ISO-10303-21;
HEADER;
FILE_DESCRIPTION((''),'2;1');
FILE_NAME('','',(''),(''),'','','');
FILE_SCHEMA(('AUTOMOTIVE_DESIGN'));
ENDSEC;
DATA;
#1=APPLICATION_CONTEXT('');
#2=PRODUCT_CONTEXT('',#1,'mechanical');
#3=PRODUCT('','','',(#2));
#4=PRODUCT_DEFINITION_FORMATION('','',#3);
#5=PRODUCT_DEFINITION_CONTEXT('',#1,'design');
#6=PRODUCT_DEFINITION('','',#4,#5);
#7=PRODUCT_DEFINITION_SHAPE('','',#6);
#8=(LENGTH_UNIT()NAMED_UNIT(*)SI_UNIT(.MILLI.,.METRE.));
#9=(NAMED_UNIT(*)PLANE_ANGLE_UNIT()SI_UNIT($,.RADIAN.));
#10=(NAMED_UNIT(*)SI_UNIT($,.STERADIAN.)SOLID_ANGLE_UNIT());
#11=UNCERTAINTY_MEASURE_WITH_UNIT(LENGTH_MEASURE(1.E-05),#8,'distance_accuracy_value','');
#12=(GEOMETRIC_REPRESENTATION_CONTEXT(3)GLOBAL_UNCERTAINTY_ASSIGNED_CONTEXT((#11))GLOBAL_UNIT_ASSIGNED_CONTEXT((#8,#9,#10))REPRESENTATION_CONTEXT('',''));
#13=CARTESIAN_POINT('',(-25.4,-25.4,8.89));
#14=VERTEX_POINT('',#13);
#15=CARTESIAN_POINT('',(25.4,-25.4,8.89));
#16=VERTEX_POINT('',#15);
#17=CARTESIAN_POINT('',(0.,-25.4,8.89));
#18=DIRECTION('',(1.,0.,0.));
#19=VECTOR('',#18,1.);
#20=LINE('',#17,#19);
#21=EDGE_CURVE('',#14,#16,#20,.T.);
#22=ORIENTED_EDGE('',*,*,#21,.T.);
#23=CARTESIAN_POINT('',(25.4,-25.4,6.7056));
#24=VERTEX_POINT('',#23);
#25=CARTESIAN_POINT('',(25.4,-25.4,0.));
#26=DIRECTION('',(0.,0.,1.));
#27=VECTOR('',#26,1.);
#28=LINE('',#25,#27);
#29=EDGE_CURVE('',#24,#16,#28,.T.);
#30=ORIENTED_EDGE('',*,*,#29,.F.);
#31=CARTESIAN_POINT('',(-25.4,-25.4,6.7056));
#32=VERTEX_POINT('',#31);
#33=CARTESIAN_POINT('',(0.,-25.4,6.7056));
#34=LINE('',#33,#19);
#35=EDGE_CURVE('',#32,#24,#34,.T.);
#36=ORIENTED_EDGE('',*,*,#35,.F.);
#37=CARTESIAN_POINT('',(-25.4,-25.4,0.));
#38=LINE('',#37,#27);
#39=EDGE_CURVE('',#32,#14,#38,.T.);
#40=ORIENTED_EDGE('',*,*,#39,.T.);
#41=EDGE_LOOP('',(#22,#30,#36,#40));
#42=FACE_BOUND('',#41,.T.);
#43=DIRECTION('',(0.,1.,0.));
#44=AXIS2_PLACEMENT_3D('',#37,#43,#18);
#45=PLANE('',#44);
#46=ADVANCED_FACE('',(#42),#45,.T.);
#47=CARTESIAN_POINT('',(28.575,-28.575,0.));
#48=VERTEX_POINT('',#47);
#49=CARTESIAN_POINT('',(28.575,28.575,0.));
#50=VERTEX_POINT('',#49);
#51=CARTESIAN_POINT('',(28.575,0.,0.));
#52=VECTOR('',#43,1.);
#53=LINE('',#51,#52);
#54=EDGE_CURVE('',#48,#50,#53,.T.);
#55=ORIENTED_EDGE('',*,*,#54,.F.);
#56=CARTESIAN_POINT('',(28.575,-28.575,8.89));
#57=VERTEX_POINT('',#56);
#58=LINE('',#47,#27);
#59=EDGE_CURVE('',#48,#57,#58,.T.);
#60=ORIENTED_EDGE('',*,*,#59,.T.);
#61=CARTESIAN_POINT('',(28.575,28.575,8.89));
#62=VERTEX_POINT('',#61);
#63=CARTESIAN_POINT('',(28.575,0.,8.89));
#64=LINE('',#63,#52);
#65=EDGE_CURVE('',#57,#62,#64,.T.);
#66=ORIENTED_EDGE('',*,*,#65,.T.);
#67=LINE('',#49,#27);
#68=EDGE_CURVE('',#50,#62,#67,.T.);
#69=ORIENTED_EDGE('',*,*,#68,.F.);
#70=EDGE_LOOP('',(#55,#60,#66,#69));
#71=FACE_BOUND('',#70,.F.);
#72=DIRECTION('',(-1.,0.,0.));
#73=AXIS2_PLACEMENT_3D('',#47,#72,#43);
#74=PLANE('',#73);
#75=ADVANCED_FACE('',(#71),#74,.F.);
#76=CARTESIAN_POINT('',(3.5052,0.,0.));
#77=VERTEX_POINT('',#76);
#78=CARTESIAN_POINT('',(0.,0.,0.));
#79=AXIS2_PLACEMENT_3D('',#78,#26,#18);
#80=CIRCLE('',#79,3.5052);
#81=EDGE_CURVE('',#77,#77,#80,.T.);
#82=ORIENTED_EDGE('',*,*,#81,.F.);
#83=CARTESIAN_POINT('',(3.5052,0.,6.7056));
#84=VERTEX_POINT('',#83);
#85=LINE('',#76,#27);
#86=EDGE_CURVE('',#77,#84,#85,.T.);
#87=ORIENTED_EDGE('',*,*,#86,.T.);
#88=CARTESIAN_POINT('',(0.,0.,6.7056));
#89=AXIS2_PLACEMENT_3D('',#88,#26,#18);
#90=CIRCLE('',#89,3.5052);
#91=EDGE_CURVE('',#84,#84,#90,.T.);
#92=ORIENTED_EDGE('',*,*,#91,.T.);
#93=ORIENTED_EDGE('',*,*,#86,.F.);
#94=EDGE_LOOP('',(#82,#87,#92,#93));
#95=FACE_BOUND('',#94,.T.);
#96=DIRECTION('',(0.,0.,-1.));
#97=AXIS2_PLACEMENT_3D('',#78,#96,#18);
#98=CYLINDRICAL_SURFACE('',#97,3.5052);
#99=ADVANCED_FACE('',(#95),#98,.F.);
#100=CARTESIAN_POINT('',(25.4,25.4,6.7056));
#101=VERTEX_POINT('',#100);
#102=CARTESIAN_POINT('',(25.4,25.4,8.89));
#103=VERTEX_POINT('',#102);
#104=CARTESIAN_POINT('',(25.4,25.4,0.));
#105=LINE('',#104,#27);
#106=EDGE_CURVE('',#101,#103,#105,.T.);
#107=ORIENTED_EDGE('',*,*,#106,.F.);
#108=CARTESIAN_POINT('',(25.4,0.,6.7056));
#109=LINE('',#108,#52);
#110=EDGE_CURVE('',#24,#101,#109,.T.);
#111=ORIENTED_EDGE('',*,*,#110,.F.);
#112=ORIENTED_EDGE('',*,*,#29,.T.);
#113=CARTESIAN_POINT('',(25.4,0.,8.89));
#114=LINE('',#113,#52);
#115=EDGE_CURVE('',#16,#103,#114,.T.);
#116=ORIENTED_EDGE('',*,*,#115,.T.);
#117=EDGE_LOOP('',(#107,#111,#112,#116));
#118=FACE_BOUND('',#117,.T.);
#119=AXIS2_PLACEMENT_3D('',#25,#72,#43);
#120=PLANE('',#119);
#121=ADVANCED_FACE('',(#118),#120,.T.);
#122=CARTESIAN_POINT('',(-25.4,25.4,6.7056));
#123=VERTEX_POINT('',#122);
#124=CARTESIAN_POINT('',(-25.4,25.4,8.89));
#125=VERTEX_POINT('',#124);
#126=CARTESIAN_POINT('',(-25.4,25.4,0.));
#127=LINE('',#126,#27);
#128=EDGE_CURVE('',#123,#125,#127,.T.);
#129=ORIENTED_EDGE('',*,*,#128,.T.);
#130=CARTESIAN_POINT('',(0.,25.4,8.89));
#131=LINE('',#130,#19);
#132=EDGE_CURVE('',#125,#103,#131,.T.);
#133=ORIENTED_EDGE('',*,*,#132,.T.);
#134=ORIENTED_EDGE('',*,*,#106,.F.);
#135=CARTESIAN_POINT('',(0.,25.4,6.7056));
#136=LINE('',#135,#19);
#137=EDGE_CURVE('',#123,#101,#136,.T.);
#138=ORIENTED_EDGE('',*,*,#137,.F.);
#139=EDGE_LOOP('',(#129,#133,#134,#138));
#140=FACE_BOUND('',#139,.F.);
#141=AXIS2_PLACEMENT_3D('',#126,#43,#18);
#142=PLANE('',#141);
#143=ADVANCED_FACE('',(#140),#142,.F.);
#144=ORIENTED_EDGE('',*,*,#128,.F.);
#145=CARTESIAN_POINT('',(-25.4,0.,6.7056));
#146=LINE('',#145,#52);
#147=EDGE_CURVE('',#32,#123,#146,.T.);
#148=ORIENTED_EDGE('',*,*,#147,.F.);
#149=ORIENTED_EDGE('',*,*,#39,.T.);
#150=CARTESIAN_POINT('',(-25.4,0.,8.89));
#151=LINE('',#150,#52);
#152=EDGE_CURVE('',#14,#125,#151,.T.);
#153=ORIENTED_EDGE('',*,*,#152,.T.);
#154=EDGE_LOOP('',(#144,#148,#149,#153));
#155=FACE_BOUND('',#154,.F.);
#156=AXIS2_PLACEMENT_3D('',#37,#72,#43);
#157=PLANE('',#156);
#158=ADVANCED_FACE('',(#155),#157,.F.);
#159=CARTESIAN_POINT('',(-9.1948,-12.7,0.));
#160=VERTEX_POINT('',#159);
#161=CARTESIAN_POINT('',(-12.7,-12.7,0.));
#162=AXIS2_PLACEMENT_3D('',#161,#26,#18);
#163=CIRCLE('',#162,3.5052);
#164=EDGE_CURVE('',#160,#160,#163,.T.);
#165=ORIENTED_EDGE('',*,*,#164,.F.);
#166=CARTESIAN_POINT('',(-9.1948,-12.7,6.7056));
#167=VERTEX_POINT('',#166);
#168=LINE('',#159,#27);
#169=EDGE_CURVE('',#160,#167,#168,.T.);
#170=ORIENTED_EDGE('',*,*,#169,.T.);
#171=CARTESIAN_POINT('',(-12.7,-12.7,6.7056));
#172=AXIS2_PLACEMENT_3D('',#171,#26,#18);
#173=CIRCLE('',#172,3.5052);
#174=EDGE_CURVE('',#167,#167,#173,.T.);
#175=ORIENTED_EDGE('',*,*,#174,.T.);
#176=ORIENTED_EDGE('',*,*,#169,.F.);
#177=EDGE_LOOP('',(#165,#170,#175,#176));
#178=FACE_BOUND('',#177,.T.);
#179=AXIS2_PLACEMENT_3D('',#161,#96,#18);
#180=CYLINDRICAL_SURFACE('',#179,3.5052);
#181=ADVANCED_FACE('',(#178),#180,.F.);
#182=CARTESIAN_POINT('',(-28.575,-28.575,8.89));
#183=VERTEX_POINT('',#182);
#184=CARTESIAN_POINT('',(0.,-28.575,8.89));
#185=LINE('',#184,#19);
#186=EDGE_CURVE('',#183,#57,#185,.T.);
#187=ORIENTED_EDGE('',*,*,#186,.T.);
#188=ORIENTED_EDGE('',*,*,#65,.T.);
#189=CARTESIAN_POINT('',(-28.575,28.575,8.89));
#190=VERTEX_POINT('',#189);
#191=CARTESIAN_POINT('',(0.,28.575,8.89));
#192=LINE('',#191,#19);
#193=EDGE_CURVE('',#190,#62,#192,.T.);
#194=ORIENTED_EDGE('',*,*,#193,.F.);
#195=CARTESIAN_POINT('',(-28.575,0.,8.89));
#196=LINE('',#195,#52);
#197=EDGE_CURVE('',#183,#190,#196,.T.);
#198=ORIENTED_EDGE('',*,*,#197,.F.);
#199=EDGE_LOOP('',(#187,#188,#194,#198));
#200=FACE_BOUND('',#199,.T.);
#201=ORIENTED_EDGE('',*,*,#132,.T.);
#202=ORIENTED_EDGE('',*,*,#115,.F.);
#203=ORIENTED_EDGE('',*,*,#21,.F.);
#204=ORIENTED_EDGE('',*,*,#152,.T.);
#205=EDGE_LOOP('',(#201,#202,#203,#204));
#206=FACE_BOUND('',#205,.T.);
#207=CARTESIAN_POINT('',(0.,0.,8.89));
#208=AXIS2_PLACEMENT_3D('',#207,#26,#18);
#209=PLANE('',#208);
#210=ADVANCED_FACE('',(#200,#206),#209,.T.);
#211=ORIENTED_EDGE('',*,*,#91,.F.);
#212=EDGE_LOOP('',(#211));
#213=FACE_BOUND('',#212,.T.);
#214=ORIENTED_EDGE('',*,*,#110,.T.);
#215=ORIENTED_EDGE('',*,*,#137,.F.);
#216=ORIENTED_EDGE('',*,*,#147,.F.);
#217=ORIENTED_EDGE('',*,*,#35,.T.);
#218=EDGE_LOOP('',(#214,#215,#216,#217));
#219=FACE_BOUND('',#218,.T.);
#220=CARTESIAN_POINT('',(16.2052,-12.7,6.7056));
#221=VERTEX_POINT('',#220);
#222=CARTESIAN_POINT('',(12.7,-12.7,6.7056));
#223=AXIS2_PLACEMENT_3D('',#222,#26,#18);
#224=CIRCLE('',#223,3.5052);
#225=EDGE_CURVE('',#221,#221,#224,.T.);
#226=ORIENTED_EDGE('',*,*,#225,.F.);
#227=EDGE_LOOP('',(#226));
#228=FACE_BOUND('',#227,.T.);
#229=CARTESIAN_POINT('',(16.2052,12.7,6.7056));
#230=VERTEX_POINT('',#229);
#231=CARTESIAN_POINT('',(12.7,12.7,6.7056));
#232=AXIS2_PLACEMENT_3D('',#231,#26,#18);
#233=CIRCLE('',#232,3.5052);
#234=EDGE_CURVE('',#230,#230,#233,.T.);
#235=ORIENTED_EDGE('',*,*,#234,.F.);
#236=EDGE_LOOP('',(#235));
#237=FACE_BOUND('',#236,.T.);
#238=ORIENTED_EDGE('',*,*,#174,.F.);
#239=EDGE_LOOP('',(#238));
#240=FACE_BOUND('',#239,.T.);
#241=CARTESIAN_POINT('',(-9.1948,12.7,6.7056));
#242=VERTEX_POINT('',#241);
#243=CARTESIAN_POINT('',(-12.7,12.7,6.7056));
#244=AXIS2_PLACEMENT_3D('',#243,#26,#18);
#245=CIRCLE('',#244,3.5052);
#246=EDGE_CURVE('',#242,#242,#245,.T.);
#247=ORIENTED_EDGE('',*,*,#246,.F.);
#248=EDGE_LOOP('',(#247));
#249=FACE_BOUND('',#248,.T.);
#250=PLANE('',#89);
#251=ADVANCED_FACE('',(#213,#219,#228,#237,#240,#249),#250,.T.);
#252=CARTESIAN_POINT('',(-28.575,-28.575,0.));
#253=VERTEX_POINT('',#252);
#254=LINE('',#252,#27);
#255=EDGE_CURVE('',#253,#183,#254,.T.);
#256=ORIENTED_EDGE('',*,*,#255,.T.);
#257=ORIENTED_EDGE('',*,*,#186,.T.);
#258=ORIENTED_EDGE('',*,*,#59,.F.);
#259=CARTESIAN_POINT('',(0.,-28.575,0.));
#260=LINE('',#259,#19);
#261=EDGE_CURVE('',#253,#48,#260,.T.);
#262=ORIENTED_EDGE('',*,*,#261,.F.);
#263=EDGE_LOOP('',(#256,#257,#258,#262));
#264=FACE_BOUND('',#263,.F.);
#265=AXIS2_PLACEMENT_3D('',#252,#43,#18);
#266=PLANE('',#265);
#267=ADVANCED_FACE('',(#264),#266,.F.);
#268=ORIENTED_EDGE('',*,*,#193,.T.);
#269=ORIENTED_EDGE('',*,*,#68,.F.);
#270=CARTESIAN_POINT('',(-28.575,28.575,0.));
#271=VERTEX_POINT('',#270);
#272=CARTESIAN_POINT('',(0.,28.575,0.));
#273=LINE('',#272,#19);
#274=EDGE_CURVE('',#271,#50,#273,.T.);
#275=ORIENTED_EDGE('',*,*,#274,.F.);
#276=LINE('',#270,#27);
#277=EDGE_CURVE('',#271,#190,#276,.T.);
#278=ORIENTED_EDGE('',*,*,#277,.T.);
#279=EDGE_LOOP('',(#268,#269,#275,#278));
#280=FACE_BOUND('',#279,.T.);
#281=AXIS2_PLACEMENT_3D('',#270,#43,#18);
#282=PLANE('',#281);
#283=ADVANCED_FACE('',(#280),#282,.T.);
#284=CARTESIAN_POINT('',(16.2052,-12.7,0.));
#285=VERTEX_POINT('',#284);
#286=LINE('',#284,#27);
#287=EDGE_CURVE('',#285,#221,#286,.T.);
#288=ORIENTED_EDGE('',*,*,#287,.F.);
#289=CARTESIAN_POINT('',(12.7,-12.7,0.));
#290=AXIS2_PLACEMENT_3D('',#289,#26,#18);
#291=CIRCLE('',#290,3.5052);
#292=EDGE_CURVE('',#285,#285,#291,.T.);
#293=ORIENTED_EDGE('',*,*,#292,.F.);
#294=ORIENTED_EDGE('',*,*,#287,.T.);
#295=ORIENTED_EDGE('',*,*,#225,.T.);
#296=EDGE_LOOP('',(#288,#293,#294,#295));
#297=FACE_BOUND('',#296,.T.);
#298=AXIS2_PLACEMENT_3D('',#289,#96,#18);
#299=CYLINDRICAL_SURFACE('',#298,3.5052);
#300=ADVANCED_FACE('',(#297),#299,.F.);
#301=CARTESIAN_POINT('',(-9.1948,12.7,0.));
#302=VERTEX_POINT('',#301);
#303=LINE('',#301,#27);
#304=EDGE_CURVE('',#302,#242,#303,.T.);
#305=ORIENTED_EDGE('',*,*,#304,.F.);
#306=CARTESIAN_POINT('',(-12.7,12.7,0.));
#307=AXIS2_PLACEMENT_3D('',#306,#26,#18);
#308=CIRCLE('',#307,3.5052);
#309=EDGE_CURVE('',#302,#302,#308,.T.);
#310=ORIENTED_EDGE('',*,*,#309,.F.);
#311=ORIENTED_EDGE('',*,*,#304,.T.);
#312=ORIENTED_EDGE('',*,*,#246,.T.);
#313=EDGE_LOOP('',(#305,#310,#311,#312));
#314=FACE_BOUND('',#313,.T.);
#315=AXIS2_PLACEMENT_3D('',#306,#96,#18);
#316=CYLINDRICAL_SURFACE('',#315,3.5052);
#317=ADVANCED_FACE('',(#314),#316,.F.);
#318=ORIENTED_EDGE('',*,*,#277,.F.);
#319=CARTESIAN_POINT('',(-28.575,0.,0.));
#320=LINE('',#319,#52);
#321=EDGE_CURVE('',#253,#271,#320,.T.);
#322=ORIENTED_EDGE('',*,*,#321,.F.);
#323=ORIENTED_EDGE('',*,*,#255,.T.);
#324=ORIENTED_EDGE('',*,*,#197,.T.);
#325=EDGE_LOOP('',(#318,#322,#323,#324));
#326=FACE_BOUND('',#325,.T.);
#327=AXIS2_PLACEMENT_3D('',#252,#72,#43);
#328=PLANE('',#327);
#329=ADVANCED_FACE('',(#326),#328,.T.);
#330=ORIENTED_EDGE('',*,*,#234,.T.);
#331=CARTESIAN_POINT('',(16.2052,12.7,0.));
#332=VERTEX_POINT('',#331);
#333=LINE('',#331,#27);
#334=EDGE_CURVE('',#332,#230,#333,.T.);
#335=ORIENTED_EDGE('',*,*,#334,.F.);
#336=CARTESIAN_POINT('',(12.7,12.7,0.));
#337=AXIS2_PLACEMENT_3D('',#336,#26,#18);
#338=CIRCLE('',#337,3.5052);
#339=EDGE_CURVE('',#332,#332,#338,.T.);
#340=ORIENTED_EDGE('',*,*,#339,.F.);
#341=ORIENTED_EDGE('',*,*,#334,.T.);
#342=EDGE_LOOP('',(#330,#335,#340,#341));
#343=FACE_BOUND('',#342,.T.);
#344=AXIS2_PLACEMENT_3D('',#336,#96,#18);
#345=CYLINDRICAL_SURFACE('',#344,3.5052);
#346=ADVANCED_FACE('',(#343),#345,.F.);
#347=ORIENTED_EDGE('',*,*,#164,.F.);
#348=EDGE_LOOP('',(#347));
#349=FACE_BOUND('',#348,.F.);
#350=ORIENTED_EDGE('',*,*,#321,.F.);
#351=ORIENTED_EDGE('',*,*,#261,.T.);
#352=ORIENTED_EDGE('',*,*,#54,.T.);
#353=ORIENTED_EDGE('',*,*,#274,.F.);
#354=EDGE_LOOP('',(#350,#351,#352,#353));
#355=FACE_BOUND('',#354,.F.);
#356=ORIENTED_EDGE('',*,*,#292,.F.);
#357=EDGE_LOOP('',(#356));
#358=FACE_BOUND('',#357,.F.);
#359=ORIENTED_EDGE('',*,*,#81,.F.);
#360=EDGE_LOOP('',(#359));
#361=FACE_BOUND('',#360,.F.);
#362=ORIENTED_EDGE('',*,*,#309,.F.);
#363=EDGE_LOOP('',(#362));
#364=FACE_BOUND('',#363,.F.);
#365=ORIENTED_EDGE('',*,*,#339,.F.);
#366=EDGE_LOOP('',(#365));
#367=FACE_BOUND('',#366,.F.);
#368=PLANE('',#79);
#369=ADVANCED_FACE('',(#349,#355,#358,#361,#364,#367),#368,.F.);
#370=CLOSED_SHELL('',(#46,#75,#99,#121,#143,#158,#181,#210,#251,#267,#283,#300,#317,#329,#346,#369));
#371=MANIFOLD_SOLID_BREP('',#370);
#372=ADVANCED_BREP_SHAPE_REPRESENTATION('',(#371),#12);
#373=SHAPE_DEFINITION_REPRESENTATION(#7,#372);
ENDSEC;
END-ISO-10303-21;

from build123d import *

# Parameters (mm, degrees)
F0_W     = 50.8
F0_H     = 50.8
F0_R     = 3.5052
F1_DEPTH = 6.7056
F0_W_2   = 57.15
F0_H_2   = 57.15
F2_DEPTH = 8.89


with BuildPart() as f1:
    # F0 (on Top) → F1 (new body)
    with BuildSketch(Plane.XY):
        Rectangle(F0_W, F0_H)
        with Locations((-12.7, -12.7)):
            Circle(F0_R, mode=Mode.SUBTRACT)
        with Locations((12.7, -12.7)):
            Circle(F0_R, mode=Mode.SUBTRACT)
        with Locations((-12.7, 12.7)):
            Circle(F0_R, mode=Mode.SUBTRACT)
        Circle(F0_R, mode=Mode.SUBTRACT)
        with Locations((12.7, 12.7)):
            Circle(F0_R, mode=Mode.SUBTRACT)
    extrude(amount=F1_DEPTH)

    # F0 (on Top) → F2 (join)
    with BuildSketch(Plane.XY):
        Rectangle(F0_W_2, F0_H_2)
        Rectangle(F0_W, F0_H, mode=Mode.SUBTRACT)
    extrude(amount=F2_DEPTH)


solid = f1.part
